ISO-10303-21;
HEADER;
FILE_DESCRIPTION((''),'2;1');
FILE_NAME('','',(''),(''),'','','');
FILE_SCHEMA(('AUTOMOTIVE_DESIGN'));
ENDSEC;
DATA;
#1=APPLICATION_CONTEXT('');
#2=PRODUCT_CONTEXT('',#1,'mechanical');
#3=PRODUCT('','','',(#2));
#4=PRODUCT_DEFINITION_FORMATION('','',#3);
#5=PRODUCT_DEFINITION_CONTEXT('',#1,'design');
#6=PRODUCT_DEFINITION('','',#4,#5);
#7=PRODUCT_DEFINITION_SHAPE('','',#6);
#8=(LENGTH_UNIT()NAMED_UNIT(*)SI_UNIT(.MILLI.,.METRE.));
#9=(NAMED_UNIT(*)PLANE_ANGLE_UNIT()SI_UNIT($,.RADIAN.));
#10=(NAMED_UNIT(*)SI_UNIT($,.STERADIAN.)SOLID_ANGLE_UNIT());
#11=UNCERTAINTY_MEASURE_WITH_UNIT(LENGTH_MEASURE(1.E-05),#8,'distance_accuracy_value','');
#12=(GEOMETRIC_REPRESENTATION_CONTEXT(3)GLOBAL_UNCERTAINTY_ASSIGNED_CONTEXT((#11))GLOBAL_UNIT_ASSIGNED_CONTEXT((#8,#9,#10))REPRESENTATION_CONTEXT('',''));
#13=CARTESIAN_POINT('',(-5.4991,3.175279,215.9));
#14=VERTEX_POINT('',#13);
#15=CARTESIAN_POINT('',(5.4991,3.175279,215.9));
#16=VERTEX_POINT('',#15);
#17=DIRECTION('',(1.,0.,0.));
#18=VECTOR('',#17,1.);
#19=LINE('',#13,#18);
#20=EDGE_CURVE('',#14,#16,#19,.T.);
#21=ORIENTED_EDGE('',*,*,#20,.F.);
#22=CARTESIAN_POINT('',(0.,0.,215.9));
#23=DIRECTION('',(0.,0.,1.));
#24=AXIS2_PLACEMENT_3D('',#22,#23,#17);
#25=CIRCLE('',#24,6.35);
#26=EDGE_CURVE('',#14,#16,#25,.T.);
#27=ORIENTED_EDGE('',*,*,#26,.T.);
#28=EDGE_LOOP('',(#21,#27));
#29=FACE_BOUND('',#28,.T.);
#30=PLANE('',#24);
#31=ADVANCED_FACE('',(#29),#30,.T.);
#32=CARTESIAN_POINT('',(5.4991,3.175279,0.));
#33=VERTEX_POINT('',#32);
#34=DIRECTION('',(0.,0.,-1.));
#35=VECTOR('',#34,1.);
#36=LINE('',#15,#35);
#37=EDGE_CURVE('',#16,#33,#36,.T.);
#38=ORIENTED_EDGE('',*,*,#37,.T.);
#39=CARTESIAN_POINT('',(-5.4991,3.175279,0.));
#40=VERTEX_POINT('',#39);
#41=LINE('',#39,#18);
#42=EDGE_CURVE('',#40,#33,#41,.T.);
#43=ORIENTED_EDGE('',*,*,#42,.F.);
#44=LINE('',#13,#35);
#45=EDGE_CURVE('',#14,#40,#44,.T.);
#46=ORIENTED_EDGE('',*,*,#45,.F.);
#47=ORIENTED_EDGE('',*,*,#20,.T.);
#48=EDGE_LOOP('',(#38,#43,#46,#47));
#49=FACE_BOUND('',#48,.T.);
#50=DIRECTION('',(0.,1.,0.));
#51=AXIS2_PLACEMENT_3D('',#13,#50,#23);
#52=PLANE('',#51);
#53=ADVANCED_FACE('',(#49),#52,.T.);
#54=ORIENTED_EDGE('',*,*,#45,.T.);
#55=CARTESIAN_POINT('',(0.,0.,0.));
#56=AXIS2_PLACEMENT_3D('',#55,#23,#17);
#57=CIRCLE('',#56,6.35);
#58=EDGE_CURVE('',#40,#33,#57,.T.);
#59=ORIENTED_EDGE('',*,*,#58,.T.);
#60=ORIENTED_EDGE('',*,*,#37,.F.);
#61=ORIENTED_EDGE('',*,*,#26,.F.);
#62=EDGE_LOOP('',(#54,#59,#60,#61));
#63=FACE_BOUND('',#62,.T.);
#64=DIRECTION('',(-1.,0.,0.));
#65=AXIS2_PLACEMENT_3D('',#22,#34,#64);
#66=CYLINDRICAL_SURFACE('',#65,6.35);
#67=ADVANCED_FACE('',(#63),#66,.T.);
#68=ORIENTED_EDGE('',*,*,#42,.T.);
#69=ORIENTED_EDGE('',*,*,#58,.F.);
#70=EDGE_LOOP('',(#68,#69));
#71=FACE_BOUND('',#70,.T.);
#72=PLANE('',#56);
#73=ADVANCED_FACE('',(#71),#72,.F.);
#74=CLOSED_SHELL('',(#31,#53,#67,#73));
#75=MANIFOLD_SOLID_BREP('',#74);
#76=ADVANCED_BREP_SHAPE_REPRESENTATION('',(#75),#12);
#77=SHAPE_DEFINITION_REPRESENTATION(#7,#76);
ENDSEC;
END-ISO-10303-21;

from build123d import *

# Parameters (mm, degrees)
BOSS_EXTRUDE1_DEPTH = 215.9


with BuildPart() as part:
    # Sketch1 → Boss-Extrude1 (new body)
    with BuildSketch(Plane.XY):
        with BuildLine():
            Line((-5.4991, 3.175279388), (5.4991, 3.175279388))
            ThreePointArc((5.4991, 3.175279388), (0, -6.35), (-5.4991, 3.175279388))
        make_face()
    extrude(amount=BOSS_EXTRUDE1_DEPTH)


solid = part.part
